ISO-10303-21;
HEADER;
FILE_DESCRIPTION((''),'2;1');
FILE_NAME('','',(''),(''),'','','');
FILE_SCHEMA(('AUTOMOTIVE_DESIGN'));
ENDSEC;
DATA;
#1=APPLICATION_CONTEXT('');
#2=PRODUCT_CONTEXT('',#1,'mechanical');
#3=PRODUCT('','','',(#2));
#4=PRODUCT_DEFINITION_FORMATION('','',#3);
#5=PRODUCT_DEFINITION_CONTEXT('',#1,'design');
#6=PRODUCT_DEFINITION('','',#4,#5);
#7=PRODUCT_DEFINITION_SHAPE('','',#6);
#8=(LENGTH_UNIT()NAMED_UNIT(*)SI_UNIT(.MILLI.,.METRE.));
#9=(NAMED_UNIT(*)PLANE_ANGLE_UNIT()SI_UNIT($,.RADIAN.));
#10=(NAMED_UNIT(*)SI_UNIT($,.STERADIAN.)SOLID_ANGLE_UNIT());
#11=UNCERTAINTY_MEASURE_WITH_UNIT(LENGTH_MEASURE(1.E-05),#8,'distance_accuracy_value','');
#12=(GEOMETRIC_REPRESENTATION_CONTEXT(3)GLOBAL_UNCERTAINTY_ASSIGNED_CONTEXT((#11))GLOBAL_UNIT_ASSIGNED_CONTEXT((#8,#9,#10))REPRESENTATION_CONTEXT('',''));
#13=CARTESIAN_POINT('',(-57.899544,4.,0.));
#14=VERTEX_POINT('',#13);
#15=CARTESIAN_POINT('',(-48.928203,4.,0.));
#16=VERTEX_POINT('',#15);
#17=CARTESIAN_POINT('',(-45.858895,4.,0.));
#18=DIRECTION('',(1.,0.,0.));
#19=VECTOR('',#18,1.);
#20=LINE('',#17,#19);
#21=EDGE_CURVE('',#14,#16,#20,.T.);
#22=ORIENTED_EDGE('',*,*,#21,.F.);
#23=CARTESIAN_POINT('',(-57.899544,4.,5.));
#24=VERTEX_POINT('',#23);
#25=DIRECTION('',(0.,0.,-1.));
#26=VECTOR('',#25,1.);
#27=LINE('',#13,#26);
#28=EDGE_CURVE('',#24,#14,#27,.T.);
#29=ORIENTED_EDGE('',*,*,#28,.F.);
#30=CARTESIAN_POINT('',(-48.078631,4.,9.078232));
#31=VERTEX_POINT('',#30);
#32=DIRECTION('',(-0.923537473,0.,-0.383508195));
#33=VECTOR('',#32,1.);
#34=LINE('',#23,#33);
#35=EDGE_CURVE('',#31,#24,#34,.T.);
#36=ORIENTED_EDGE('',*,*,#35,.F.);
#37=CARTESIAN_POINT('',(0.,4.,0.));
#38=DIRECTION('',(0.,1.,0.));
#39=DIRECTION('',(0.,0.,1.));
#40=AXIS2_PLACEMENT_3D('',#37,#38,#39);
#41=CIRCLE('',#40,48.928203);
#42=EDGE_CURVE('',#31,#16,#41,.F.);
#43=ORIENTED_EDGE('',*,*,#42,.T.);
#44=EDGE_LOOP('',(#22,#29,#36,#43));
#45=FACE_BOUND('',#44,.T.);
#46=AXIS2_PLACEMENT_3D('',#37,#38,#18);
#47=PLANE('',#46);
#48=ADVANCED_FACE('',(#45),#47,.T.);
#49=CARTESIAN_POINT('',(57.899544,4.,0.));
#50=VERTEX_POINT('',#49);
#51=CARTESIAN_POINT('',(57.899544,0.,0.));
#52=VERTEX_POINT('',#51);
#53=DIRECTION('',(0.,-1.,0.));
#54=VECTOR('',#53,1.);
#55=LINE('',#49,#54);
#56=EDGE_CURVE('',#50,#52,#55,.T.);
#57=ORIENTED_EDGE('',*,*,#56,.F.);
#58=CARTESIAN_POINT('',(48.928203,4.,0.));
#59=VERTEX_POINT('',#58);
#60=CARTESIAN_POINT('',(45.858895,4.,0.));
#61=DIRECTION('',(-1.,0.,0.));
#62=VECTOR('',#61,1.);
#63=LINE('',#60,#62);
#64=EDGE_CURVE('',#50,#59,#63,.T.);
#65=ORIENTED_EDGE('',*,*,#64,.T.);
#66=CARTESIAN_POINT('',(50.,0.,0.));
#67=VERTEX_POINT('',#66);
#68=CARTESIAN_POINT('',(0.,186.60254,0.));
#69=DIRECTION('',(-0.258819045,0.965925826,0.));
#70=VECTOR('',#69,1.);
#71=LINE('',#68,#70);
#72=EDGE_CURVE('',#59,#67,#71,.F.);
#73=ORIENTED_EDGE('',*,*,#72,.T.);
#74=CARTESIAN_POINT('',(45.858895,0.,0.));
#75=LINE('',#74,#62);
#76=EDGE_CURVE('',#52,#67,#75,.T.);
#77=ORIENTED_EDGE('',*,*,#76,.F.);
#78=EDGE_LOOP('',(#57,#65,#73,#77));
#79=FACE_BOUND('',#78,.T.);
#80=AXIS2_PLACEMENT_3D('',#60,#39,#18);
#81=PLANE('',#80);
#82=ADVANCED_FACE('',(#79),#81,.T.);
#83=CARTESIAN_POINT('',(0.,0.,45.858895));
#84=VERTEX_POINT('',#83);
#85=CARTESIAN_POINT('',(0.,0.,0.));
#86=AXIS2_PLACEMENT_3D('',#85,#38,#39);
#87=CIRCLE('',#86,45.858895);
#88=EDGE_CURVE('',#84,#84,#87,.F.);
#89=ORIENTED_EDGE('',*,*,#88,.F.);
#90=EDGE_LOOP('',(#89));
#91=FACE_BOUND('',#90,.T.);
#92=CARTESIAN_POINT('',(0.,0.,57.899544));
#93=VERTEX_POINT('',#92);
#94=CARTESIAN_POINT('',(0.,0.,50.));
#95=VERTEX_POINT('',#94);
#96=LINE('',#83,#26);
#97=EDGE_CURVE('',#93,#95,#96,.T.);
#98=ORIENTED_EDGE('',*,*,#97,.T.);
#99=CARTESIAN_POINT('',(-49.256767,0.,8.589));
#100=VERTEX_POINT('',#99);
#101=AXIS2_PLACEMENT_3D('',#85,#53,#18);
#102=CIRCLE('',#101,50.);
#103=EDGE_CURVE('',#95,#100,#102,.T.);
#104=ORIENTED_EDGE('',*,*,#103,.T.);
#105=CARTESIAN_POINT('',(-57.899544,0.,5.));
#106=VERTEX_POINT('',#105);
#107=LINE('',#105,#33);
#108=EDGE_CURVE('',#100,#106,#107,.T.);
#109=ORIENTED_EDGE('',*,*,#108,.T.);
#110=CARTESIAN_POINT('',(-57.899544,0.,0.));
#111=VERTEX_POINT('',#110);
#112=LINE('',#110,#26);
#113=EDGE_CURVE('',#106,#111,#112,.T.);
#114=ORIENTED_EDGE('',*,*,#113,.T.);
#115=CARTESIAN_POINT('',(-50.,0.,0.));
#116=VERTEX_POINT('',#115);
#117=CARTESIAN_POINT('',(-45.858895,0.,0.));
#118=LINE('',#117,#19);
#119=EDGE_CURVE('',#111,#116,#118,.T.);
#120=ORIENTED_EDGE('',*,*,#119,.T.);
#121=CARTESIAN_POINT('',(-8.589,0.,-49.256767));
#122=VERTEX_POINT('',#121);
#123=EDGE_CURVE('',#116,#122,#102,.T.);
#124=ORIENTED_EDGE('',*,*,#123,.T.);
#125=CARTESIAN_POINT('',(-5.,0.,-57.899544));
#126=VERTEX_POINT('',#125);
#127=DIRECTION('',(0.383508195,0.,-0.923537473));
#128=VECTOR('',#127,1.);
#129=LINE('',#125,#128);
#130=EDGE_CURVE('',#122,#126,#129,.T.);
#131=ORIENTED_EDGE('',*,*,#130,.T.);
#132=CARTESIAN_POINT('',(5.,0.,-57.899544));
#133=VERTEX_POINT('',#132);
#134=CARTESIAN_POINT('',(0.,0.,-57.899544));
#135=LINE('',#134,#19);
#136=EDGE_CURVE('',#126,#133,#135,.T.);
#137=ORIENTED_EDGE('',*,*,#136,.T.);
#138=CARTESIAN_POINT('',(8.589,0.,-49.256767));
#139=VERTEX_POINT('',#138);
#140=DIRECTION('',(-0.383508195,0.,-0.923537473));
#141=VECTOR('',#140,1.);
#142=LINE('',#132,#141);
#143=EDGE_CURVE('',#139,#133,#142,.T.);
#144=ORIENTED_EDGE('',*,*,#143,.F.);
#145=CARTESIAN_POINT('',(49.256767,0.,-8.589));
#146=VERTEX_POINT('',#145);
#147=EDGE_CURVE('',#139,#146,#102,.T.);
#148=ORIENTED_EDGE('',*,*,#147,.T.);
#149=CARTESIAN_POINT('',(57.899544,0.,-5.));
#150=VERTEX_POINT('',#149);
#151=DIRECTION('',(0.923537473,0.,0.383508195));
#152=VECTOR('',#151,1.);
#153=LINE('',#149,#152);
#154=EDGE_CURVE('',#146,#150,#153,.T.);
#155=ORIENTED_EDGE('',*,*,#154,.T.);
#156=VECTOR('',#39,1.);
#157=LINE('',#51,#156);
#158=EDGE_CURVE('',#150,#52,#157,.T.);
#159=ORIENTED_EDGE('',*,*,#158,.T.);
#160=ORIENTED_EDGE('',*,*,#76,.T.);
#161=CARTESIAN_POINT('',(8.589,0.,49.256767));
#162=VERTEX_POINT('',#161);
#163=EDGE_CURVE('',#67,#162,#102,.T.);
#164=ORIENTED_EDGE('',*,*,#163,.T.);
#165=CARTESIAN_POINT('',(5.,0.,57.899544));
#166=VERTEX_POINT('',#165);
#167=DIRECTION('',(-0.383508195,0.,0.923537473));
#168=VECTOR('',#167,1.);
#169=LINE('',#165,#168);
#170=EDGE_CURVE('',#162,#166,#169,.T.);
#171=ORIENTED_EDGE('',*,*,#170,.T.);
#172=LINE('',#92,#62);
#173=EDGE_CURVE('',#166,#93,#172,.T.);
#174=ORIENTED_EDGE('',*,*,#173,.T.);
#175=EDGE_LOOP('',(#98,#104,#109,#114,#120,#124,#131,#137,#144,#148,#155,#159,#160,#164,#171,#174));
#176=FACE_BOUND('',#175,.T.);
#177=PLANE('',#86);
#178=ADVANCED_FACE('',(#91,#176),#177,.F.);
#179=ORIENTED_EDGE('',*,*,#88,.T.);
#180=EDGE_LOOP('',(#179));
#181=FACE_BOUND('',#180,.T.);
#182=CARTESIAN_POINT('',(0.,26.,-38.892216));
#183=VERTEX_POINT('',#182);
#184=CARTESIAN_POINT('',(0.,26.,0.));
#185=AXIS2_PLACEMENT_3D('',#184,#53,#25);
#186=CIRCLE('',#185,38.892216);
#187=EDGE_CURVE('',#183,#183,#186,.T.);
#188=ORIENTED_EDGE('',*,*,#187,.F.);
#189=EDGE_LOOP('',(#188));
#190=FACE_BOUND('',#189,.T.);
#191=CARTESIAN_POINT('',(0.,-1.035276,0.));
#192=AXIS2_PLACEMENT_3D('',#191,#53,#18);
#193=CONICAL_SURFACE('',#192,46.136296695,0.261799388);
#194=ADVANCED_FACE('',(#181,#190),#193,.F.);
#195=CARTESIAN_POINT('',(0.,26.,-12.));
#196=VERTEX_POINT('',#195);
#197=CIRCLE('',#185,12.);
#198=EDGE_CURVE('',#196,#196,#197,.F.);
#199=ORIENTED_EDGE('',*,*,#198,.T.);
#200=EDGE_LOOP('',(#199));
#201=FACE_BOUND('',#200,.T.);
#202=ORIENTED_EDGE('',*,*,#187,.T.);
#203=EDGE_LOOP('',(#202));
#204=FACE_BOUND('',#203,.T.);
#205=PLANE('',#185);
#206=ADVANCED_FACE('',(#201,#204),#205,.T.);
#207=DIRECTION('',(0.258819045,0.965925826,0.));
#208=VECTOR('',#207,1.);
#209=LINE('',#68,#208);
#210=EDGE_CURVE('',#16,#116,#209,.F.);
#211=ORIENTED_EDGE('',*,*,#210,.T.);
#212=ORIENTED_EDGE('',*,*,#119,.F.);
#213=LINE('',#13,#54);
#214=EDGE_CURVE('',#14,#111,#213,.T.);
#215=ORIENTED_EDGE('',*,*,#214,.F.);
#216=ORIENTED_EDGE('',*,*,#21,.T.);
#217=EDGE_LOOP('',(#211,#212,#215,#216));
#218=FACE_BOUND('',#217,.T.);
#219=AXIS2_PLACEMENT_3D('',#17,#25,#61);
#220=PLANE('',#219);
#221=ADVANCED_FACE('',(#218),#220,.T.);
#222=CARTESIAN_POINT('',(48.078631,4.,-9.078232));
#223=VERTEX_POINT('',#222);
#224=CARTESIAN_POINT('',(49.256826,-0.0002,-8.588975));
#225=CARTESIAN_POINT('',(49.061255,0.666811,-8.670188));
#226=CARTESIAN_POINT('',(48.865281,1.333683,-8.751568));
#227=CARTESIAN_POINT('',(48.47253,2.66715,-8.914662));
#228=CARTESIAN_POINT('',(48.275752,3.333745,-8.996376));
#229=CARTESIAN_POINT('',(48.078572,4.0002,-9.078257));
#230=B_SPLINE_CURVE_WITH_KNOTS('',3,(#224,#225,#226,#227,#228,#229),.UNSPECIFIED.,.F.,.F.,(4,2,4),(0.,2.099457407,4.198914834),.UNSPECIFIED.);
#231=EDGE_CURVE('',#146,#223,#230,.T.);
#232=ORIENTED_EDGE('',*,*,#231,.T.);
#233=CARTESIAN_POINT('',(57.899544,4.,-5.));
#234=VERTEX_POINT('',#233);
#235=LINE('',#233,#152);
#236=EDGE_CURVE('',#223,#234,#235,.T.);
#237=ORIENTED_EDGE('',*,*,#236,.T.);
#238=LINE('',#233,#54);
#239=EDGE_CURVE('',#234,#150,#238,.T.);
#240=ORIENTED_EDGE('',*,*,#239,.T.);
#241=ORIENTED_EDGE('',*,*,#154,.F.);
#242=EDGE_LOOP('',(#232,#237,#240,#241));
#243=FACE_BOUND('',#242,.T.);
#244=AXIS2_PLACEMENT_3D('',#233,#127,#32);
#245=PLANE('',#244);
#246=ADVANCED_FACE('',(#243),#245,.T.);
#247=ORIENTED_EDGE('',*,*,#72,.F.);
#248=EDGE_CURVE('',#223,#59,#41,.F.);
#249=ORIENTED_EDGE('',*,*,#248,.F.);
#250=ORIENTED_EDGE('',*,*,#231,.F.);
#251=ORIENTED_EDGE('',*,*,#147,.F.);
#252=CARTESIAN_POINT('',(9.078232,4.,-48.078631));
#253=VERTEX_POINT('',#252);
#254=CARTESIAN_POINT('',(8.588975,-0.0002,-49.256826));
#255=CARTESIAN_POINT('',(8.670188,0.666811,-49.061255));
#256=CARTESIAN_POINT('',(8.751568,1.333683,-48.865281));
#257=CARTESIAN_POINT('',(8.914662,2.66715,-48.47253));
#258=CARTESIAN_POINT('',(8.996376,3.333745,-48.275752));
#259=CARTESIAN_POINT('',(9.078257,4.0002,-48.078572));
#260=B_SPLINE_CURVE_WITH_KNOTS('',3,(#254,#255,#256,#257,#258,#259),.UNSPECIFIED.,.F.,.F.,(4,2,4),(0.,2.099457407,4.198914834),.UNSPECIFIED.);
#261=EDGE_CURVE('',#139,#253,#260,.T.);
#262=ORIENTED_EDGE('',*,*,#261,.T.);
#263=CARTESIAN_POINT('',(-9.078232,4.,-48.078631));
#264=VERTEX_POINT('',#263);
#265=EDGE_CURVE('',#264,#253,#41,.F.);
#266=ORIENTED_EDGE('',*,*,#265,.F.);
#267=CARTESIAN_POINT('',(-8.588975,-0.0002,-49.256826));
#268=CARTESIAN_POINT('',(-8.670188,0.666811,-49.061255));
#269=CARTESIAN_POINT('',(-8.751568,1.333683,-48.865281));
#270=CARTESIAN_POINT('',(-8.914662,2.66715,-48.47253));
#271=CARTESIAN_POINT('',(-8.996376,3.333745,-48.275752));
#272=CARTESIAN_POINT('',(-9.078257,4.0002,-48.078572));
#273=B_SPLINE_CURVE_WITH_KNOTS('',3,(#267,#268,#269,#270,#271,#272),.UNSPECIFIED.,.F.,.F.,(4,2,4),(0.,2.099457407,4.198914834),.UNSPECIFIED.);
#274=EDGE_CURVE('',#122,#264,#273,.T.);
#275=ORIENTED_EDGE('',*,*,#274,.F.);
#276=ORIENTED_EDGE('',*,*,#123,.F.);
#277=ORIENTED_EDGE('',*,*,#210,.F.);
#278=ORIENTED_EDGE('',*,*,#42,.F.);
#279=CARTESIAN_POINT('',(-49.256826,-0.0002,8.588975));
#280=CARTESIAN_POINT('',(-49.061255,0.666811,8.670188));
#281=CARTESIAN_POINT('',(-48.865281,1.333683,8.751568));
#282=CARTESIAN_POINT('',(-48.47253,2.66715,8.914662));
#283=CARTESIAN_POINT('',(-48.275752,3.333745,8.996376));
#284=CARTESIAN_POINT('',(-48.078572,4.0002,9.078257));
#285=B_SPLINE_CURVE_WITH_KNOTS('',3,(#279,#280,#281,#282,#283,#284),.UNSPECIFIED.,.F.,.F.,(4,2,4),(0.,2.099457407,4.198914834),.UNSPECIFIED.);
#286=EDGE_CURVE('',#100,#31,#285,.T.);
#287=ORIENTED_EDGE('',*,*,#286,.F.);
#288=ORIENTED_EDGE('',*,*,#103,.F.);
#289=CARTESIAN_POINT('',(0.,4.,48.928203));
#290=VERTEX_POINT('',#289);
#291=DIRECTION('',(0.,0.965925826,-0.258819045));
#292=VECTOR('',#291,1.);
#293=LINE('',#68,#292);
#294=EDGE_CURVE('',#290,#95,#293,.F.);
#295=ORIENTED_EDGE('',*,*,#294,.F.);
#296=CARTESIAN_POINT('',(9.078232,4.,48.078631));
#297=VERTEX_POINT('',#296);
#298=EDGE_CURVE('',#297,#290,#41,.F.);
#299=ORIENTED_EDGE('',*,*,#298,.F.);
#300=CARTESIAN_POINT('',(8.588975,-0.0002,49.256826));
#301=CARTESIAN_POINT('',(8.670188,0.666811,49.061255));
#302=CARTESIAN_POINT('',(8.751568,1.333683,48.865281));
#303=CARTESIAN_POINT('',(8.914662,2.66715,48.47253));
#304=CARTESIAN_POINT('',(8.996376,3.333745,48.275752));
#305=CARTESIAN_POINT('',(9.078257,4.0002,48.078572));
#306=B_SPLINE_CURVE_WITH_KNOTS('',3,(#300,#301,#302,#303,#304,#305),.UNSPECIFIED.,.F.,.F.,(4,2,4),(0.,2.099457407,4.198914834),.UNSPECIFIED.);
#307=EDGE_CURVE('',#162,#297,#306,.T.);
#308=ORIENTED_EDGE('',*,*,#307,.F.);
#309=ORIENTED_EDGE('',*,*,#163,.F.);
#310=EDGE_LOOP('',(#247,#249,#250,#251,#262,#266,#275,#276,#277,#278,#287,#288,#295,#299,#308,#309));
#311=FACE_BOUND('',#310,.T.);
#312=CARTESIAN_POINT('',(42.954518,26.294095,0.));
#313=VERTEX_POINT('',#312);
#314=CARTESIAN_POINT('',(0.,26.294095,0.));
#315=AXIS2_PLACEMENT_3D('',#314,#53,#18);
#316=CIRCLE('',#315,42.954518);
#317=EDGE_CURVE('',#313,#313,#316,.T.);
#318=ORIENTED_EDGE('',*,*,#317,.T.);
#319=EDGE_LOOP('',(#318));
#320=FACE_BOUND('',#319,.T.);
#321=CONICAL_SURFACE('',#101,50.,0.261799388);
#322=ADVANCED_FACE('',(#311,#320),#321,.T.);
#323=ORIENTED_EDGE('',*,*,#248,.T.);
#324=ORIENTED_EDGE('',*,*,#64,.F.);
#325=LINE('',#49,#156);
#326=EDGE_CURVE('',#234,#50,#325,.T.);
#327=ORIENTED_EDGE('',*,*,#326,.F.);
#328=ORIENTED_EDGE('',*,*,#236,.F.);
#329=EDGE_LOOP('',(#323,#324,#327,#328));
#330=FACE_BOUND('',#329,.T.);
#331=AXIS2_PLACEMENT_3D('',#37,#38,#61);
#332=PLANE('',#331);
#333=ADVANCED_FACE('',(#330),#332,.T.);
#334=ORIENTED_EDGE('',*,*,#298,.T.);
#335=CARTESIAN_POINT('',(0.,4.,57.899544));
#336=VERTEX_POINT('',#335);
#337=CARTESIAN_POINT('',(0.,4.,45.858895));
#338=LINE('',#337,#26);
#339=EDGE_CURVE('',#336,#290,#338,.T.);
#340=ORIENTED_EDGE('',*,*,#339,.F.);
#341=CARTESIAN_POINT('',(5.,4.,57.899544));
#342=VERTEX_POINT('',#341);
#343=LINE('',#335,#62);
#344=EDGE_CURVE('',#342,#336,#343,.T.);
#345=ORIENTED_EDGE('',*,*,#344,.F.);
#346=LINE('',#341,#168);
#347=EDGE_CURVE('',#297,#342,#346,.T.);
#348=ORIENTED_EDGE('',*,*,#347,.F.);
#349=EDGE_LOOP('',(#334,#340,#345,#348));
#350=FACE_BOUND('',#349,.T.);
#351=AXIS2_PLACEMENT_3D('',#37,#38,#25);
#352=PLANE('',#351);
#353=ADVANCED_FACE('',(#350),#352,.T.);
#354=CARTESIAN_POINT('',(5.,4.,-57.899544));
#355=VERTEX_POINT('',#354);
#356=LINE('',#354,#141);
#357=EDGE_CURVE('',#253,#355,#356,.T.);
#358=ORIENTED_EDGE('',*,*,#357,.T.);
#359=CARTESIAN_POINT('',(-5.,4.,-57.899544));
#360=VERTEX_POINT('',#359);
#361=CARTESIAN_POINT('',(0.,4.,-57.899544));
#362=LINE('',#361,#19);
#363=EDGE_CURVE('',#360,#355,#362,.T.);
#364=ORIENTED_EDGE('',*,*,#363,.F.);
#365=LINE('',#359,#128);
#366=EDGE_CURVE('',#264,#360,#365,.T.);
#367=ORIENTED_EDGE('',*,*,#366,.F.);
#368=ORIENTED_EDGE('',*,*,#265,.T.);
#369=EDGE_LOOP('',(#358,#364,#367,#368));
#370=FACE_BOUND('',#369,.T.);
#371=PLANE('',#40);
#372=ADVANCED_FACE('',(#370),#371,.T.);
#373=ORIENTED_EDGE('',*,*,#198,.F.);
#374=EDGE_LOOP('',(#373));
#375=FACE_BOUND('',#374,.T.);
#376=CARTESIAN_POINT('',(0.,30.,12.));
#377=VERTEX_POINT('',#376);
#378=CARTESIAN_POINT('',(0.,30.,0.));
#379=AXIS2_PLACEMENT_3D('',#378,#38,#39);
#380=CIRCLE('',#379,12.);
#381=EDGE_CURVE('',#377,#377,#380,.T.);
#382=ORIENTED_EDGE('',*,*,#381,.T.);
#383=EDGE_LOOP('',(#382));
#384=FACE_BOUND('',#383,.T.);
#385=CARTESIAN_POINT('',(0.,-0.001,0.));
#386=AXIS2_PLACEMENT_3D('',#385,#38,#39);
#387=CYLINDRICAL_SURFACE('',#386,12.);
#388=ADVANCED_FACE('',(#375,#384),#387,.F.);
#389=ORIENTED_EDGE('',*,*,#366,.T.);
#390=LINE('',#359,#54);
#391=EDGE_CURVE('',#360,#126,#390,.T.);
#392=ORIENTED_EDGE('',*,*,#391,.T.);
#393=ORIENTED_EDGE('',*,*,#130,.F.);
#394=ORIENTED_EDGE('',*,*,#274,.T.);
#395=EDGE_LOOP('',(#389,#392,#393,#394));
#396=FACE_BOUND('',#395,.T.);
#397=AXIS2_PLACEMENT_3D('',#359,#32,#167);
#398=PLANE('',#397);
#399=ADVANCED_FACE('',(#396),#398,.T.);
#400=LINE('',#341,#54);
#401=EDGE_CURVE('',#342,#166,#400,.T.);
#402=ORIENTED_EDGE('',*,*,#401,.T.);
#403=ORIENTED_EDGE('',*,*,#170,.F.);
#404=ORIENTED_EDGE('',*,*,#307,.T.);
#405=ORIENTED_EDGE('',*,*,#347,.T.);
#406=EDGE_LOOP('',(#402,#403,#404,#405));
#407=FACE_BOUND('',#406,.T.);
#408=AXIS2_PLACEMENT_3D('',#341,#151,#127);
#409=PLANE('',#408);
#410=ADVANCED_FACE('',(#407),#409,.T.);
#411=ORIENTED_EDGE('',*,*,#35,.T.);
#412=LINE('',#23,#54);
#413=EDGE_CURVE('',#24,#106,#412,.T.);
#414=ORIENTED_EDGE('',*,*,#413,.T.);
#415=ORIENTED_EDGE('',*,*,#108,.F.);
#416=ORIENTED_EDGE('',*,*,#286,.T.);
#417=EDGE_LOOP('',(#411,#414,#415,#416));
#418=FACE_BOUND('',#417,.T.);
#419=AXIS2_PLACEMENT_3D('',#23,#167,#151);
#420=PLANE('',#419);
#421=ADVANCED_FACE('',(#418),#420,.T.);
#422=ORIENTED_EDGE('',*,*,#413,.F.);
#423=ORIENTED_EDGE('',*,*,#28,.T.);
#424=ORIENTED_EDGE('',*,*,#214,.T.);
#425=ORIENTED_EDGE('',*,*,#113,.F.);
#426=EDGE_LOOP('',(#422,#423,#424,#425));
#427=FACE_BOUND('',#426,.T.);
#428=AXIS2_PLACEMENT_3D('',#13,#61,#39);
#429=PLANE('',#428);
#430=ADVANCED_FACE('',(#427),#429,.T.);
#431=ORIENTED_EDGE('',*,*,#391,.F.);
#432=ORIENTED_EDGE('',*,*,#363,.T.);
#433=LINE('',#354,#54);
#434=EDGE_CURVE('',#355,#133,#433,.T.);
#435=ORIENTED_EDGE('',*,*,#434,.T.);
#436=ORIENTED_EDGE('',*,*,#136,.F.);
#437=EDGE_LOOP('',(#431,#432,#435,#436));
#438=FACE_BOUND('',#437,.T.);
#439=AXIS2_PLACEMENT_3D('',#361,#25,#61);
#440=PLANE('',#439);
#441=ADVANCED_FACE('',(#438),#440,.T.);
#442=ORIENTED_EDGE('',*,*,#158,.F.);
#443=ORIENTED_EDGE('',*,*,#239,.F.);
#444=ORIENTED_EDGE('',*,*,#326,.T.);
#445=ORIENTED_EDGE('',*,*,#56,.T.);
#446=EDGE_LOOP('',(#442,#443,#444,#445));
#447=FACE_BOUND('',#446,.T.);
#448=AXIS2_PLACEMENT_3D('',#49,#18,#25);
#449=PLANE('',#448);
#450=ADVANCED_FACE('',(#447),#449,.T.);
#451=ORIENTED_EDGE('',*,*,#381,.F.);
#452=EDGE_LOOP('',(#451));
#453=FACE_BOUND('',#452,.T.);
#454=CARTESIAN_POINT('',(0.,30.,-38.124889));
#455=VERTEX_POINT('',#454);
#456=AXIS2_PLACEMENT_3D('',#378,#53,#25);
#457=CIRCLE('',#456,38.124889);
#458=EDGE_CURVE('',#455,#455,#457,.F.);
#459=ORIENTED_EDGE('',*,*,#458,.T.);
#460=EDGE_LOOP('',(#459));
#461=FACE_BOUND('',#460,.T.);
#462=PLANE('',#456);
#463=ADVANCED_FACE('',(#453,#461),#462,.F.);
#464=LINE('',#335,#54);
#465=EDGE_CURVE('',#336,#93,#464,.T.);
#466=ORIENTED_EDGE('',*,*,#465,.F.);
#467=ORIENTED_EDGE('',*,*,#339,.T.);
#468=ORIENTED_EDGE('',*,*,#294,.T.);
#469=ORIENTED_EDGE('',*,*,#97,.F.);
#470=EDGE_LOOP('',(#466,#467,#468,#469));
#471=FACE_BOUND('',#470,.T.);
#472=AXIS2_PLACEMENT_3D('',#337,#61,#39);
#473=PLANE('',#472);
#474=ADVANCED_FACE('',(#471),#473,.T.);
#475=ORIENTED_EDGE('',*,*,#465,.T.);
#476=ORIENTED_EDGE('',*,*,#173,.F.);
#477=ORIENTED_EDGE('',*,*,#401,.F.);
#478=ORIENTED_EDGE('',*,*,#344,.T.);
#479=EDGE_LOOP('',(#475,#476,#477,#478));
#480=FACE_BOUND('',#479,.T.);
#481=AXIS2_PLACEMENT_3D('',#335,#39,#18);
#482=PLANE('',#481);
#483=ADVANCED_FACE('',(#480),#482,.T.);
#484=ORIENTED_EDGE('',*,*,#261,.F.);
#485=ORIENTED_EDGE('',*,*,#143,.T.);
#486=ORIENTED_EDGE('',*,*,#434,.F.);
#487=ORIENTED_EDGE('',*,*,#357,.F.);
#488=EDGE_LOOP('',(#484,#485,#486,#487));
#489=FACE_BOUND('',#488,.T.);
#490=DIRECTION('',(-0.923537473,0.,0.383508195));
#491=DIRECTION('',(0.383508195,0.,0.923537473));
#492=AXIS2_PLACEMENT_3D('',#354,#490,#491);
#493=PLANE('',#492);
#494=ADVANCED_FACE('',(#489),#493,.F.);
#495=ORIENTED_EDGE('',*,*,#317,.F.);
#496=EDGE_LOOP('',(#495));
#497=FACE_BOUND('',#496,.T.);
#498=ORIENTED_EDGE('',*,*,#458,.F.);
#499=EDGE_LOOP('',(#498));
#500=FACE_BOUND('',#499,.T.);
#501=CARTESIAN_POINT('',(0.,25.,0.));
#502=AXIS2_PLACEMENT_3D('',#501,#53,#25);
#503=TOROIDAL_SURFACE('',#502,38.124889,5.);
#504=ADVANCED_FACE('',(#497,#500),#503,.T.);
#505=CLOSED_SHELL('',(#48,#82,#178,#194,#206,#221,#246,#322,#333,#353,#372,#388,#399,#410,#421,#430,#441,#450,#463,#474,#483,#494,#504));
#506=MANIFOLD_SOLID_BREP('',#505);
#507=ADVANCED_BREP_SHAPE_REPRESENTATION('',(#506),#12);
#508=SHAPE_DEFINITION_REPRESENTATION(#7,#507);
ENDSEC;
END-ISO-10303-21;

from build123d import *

# Parameters (mm, degrees)
CROQUIS3_W              = 50
CROQUIS3_H              = 30
VACIADO1_T              = -4
CORTAR_EXTRUIR1_REACH   = 78.811
CROQUIS7_R              = 12
REDONDEO1_R             = 5
SALIENTE_EXTRUIR1_DEPTH = 4
MATRIZC10_COUNT         = 4


with BuildPart() as part:
    # Croquis3 → Revolución1 (revolve)
    with BuildSketch(Plane(origin=(0, 0, 0), x_dir=(0, 0, -1), z_dir=(1, 0, 0)), mode=Mode.PRIVATE) as revoluci_n1_sk:
        with Locations((-25, 15)):
            Rectangle(CROQUIS3_W, CROQUIS3_H)
    revolve(revoluci_n1_sk.sketch.rotate(Axis((0, 0, 0), (0, 1, 0)), 180), axis=Axis((0, 0, 0), (0, 1, 0)))

    # Croquis6 → Cortar-Revolución1 (revolve, cut)
    with BuildSketch(Plane.XY, mode=Mode.PRIVATE) as cortar_revoluci_n1_sk:
        Polygon((-50, 30), (-50, 0), (-41.961524227, 30), align=None)
    revolve(cortar_revoluci_n1_sk.sketch.rotate(Axis((0, -970, 0), (0, 1, 0)), 180), axis=Axis((0, -970, 0), (0, 1, 0)), mode=Mode.SUBTRACT)

    # Vaciado1
    vaciado1_openings = [part.faces().sort_by_distance(p)[0] for p in [
        (0, 0, 0),
    ]]
    offset(amount=VACIADO1_T, openings=vaciado1_openings, kind=Kind.INTERSECTION)

    # Croquis7 → Cortar-Extruir1 (cut, up to next)
    with BuildSketch(Plane(origin=(0, 30, 0), x_dir=(1, 0, 0), z_dir=(0, 1, 0)), mode=Mode.PRIVATE) as cortar_extruir1_sk1:
        with Locations(Location((0, 0, 0), (0, 0, 270))):
            Circle(CROQUIS7_R)
    cortar_extruir1_tool1 = extrude(cortar_extruir1_sk1.sketch, amount=-CORTAR_EXTRUIR1_REACH, mode=Mode.PRIVATE) & part.part
    add(cortar_extruir1_tool1.solids().sort_by_distance((0, 30, 0))[0], mode=Mode.SUBTRACT)

    # Redondeo1
    redondeo1_edges = [part.edges().sort_by_distance(p)[0] for p in [
        (-41.961524227, 30, 0),
    ]]
    fillet(redondeo1_edges, radius=REDONDEO1_R)

    # Croquis8 → Saliente-Extruir1 (add)
    with BuildSketch(Plane(origin=(0, 0, 0), x_dir=(-1, 0, 0), z_dir=(0, -1, 0))):
        Polygon((0, 57.899543771), (5, 57.899543771), (10, 45.858895278), (0, 45.858895278), align=None)
    saliente_extruir1 = extrude(amount=-SALIENTE_EXTRUIR1_DEPTH)

    # Simetría1: Saliente-Extruir1 across plane
    add(saliente_extruir1.mirror(Plane(origin=(0, 4, -45.858895278), x_dir=(0, 0, 1), z_dir=(1, 0, 0))))

    # MatrizC10: Saliente-Extruir1 ×4 about axis
    matrizc10_axis = Axis((0, 0, 0), (0, 1, 0))
    for i in range(1, MATRIZC10_COUNT):
        add(saliente_extruir1.rotate(matrizc10_axis, i * 360 / MATRIZC10_COUNT))


solid = part.part
